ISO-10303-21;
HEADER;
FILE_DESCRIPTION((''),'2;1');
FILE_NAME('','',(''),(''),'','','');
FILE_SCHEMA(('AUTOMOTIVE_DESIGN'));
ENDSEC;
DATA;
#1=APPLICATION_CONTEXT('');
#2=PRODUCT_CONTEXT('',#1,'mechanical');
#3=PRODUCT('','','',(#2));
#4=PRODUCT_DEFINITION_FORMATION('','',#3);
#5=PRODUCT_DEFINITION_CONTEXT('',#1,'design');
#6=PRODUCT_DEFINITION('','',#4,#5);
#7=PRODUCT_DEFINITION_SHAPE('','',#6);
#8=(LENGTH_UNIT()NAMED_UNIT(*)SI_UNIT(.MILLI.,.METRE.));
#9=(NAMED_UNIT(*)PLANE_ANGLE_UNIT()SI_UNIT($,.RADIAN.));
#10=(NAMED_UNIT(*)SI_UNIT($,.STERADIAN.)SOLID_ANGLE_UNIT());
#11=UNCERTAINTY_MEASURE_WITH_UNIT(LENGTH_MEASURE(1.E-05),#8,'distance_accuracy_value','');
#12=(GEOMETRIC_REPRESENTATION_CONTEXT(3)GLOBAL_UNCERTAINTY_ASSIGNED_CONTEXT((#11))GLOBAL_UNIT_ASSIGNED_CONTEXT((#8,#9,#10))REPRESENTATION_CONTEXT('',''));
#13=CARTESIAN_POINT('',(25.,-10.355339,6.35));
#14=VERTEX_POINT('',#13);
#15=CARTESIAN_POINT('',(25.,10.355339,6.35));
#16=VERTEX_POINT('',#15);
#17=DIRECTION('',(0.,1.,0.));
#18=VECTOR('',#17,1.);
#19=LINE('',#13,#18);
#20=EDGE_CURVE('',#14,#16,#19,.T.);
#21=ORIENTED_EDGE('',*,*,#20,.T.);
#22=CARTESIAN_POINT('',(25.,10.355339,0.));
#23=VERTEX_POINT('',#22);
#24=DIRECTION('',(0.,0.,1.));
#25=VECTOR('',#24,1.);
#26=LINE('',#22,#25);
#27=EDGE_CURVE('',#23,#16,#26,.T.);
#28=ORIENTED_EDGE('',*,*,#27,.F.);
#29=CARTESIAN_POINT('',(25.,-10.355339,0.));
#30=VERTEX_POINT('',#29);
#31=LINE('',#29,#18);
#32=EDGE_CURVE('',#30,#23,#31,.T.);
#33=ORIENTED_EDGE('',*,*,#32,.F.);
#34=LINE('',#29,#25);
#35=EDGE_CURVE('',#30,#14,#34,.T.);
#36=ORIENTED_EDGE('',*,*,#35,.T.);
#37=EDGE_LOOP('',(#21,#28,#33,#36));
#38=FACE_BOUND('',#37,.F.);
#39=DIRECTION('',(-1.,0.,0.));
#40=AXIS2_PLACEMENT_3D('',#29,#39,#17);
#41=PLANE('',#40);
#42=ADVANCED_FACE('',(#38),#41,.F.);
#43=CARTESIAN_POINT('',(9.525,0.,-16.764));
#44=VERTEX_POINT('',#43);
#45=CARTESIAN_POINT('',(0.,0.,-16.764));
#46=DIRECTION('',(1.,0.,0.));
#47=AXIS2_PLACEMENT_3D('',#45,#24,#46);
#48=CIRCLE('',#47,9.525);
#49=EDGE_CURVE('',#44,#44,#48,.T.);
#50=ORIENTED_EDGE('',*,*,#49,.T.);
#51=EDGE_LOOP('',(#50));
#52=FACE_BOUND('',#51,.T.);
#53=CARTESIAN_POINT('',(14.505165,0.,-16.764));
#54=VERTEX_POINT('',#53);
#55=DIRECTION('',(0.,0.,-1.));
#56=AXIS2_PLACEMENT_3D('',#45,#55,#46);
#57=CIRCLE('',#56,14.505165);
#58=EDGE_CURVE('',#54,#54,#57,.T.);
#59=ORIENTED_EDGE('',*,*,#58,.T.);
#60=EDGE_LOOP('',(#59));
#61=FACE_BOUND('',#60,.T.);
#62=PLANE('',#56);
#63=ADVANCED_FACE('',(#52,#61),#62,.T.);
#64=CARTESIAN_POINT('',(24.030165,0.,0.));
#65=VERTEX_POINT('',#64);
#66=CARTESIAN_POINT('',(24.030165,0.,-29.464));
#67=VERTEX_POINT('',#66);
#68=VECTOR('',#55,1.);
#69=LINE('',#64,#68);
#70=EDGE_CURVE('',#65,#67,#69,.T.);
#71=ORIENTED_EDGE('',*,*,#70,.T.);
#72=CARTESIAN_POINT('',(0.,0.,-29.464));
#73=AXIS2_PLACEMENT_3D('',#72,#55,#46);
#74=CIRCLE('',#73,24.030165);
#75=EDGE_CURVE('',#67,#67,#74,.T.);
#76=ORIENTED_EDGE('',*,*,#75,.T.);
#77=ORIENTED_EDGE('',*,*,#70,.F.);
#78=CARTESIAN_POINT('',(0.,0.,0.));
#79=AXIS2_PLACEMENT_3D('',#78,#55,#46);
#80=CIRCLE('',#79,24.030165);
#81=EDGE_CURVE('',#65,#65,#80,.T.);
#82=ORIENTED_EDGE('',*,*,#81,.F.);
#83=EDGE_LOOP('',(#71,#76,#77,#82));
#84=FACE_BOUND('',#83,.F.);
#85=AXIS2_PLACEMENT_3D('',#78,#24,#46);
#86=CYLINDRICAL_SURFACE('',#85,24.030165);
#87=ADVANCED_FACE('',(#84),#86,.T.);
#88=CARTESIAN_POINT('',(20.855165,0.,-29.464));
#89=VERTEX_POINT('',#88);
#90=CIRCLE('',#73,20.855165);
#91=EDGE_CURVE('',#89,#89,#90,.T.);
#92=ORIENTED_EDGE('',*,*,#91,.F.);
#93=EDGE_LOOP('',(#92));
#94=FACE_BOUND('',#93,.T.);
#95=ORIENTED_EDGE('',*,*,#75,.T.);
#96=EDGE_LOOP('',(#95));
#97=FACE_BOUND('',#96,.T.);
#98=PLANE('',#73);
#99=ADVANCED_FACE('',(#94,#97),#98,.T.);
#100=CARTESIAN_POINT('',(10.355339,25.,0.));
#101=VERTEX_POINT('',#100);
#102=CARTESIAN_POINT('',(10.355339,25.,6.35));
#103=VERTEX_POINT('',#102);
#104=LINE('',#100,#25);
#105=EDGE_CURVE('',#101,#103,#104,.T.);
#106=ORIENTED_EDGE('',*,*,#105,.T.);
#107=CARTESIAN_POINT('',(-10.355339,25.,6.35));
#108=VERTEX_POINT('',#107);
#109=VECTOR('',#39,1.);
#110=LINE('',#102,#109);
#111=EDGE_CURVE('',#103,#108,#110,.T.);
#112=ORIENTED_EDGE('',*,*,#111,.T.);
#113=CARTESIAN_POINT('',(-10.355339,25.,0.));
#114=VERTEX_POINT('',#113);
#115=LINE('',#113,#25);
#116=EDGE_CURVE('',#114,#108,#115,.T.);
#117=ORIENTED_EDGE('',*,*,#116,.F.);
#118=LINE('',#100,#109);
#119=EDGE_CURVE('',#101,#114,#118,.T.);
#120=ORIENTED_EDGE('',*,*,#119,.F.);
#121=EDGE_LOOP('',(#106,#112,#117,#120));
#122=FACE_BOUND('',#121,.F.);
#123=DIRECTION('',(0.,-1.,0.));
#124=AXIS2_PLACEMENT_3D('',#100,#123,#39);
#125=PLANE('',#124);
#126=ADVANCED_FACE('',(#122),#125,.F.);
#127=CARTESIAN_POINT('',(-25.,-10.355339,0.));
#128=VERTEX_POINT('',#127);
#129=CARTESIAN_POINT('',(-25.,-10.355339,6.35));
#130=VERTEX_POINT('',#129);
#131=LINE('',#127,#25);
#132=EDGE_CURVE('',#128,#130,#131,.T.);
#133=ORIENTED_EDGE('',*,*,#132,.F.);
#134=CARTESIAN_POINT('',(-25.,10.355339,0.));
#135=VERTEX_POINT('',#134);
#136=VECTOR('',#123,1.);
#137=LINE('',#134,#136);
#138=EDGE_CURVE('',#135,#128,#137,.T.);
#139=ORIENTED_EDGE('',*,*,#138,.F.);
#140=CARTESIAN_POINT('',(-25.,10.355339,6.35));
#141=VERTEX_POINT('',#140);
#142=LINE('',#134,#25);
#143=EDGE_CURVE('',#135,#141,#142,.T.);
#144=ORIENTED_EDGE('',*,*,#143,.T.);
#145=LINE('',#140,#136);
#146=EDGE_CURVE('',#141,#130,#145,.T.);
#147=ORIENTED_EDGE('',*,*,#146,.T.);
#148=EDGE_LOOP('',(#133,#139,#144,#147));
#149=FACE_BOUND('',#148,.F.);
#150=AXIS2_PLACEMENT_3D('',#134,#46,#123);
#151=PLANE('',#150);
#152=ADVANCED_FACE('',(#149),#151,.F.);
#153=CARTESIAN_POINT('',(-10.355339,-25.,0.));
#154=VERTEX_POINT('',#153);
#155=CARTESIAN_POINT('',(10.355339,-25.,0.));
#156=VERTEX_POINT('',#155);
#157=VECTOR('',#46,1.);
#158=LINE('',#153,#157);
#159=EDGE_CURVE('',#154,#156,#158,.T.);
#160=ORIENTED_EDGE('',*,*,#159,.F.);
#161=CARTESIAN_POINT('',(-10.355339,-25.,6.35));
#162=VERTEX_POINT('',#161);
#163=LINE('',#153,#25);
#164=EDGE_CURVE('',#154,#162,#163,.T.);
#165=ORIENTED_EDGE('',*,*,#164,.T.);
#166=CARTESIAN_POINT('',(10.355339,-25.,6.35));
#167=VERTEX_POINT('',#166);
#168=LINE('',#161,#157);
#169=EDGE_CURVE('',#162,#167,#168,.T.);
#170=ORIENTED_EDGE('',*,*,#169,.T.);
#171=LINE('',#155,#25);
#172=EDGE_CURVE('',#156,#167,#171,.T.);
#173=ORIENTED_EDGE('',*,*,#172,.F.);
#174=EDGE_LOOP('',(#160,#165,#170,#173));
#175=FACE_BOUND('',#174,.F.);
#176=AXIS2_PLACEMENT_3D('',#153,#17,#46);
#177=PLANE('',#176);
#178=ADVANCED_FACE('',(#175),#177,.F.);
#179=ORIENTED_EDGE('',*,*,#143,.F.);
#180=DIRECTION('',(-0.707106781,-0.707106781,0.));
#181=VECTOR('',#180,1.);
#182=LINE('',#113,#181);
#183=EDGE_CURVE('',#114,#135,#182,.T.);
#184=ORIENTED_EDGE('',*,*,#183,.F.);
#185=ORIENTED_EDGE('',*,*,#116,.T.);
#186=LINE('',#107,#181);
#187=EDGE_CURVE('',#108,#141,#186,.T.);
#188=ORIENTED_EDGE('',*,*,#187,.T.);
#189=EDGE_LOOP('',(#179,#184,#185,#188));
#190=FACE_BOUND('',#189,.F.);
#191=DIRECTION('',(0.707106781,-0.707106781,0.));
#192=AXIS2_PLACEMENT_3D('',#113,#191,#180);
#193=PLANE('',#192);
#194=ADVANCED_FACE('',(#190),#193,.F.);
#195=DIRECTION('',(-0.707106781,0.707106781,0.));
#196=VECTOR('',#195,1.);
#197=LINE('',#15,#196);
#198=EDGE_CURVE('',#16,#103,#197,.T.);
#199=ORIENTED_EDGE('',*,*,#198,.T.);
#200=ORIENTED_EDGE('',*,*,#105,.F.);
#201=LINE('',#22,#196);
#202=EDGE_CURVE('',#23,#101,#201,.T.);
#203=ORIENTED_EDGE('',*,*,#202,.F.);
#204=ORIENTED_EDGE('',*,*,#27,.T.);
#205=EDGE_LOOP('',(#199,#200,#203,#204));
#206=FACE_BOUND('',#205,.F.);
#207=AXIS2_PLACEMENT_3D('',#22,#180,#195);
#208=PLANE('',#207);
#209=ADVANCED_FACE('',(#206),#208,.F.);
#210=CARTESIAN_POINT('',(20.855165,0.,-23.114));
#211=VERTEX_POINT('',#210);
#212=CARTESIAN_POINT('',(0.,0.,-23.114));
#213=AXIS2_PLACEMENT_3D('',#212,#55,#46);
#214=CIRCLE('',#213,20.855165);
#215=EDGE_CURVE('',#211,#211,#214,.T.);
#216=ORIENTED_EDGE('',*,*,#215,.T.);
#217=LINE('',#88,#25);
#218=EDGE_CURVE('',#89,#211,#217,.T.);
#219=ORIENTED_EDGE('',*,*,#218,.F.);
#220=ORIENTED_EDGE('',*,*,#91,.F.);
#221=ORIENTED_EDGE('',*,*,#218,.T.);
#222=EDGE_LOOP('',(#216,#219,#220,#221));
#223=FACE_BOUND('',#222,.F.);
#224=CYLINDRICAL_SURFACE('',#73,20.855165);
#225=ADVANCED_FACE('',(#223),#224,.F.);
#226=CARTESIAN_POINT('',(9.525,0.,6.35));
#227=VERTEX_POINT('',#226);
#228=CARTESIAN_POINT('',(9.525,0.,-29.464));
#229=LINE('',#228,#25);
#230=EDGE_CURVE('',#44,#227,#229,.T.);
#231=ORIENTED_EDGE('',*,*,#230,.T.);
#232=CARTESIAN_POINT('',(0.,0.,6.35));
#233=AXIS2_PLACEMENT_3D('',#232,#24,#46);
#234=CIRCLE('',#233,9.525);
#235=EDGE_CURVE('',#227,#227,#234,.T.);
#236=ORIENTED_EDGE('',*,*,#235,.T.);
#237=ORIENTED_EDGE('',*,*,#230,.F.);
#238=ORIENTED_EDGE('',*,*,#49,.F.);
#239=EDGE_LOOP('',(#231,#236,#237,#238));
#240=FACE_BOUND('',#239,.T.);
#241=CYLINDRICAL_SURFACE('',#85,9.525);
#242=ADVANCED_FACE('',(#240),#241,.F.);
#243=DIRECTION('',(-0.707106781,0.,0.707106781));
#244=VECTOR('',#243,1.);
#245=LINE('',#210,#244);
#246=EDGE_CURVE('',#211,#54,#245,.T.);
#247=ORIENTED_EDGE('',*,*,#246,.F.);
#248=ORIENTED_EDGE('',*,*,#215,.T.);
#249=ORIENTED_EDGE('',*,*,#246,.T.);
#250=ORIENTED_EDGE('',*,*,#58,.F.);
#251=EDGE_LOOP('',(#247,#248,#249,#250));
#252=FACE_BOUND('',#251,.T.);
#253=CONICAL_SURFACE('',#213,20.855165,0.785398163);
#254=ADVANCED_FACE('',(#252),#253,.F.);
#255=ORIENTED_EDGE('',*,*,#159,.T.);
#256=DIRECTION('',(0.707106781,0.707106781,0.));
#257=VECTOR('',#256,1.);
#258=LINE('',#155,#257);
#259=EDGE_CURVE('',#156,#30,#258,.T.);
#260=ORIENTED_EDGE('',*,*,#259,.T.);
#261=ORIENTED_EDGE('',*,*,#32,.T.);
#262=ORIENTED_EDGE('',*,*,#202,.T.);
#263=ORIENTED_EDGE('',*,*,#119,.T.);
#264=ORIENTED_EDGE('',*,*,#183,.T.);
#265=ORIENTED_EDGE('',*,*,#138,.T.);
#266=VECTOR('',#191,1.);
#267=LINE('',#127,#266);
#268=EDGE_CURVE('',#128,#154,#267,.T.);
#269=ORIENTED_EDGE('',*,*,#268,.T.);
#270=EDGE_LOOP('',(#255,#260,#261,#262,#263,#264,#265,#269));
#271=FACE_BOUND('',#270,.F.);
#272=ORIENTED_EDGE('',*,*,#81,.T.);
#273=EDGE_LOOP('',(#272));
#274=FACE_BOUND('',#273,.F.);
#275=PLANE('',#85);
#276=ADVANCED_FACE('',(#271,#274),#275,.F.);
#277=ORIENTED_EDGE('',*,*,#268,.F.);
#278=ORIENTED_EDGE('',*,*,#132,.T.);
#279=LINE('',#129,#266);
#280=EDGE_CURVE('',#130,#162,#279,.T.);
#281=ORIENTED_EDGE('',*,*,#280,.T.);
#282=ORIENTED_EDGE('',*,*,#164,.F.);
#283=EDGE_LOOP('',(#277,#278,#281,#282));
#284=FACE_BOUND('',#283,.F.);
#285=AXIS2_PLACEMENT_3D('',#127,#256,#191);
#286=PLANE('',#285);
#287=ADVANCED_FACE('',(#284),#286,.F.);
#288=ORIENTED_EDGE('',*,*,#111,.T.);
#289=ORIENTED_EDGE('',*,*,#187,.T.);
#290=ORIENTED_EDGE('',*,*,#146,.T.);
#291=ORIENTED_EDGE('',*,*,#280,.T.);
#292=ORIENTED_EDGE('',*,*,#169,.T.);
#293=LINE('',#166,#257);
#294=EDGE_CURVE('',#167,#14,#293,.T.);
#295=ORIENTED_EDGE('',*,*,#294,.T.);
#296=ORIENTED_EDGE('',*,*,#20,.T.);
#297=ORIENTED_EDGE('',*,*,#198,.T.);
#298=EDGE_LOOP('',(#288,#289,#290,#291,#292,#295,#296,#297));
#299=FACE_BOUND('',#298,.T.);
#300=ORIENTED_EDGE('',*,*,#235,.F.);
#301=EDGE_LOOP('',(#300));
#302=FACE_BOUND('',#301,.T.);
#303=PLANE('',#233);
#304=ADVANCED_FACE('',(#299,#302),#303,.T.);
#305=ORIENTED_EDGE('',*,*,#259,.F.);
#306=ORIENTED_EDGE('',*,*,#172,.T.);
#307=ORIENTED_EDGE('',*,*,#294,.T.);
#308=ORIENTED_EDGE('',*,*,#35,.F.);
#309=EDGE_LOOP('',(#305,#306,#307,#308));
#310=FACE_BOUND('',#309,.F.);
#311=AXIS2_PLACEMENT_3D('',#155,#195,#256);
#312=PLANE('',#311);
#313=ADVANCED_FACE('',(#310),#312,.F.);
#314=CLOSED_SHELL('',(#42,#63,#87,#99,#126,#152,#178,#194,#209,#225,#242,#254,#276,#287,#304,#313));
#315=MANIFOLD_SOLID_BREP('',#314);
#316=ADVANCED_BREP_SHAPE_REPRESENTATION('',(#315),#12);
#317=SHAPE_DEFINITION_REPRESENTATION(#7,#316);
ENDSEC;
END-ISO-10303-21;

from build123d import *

# Parameters (mm, degrees)
F0_R     = 9.525
F1_DEPTH = 6.35
F2_R     = 24.030165
F2_R_2   = 9.525
F3_DEPTH = 29.464
F4_R     = 20.855165
F5_DEPTH = 12.7
F6_SIZE  = 6.35


with BuildPart() as f1:
    # F0 (on Top) → F1 (new body)
    with BuildSketch(Plane.XY):
        Polygon((-10.355339, -25), (10.355339, -25), (25, -10.355339), (25, 10.355339), (10.355339, 25), (-10.355339, 25), (-25, 10.355339), (-25, -10.355339), align=None)
        Circle(F0_R, mode=Mode.SUBTRACT)
    extrude(amount=F1_DEPTH)

    # F2 (on face) → F3 (join)
    with BuildSketch(Plane(origin=(0, 0, 0), x_dir=(1, 0, 0), z_dir=(0, 0, -1))):
        Circle(F2_R)
        Circle(F2_R_2, mode=Mode.SUBTRACT)
    extrude(amount=F3_DEPTH)

    # F4 (on face) → F5 (cut)
    with BuildSketch(Plane(origin=(0, 0, -29.464), x_dir=(1, 0, 0), z_dir=(0, 0, -1))):
        Circle(F4_R)
    extrude(amount=-F5_DEPTH, mode=Mode.SUBTRACT)

    # F6
    f6_edges = [f1.edges().sort_by_distance(p)[0] for p in [
        (-20.855165, 0, -16.764),
    ]]
    chamfer(f6_edges, length=F6_SIZE)


solid = f1.part
